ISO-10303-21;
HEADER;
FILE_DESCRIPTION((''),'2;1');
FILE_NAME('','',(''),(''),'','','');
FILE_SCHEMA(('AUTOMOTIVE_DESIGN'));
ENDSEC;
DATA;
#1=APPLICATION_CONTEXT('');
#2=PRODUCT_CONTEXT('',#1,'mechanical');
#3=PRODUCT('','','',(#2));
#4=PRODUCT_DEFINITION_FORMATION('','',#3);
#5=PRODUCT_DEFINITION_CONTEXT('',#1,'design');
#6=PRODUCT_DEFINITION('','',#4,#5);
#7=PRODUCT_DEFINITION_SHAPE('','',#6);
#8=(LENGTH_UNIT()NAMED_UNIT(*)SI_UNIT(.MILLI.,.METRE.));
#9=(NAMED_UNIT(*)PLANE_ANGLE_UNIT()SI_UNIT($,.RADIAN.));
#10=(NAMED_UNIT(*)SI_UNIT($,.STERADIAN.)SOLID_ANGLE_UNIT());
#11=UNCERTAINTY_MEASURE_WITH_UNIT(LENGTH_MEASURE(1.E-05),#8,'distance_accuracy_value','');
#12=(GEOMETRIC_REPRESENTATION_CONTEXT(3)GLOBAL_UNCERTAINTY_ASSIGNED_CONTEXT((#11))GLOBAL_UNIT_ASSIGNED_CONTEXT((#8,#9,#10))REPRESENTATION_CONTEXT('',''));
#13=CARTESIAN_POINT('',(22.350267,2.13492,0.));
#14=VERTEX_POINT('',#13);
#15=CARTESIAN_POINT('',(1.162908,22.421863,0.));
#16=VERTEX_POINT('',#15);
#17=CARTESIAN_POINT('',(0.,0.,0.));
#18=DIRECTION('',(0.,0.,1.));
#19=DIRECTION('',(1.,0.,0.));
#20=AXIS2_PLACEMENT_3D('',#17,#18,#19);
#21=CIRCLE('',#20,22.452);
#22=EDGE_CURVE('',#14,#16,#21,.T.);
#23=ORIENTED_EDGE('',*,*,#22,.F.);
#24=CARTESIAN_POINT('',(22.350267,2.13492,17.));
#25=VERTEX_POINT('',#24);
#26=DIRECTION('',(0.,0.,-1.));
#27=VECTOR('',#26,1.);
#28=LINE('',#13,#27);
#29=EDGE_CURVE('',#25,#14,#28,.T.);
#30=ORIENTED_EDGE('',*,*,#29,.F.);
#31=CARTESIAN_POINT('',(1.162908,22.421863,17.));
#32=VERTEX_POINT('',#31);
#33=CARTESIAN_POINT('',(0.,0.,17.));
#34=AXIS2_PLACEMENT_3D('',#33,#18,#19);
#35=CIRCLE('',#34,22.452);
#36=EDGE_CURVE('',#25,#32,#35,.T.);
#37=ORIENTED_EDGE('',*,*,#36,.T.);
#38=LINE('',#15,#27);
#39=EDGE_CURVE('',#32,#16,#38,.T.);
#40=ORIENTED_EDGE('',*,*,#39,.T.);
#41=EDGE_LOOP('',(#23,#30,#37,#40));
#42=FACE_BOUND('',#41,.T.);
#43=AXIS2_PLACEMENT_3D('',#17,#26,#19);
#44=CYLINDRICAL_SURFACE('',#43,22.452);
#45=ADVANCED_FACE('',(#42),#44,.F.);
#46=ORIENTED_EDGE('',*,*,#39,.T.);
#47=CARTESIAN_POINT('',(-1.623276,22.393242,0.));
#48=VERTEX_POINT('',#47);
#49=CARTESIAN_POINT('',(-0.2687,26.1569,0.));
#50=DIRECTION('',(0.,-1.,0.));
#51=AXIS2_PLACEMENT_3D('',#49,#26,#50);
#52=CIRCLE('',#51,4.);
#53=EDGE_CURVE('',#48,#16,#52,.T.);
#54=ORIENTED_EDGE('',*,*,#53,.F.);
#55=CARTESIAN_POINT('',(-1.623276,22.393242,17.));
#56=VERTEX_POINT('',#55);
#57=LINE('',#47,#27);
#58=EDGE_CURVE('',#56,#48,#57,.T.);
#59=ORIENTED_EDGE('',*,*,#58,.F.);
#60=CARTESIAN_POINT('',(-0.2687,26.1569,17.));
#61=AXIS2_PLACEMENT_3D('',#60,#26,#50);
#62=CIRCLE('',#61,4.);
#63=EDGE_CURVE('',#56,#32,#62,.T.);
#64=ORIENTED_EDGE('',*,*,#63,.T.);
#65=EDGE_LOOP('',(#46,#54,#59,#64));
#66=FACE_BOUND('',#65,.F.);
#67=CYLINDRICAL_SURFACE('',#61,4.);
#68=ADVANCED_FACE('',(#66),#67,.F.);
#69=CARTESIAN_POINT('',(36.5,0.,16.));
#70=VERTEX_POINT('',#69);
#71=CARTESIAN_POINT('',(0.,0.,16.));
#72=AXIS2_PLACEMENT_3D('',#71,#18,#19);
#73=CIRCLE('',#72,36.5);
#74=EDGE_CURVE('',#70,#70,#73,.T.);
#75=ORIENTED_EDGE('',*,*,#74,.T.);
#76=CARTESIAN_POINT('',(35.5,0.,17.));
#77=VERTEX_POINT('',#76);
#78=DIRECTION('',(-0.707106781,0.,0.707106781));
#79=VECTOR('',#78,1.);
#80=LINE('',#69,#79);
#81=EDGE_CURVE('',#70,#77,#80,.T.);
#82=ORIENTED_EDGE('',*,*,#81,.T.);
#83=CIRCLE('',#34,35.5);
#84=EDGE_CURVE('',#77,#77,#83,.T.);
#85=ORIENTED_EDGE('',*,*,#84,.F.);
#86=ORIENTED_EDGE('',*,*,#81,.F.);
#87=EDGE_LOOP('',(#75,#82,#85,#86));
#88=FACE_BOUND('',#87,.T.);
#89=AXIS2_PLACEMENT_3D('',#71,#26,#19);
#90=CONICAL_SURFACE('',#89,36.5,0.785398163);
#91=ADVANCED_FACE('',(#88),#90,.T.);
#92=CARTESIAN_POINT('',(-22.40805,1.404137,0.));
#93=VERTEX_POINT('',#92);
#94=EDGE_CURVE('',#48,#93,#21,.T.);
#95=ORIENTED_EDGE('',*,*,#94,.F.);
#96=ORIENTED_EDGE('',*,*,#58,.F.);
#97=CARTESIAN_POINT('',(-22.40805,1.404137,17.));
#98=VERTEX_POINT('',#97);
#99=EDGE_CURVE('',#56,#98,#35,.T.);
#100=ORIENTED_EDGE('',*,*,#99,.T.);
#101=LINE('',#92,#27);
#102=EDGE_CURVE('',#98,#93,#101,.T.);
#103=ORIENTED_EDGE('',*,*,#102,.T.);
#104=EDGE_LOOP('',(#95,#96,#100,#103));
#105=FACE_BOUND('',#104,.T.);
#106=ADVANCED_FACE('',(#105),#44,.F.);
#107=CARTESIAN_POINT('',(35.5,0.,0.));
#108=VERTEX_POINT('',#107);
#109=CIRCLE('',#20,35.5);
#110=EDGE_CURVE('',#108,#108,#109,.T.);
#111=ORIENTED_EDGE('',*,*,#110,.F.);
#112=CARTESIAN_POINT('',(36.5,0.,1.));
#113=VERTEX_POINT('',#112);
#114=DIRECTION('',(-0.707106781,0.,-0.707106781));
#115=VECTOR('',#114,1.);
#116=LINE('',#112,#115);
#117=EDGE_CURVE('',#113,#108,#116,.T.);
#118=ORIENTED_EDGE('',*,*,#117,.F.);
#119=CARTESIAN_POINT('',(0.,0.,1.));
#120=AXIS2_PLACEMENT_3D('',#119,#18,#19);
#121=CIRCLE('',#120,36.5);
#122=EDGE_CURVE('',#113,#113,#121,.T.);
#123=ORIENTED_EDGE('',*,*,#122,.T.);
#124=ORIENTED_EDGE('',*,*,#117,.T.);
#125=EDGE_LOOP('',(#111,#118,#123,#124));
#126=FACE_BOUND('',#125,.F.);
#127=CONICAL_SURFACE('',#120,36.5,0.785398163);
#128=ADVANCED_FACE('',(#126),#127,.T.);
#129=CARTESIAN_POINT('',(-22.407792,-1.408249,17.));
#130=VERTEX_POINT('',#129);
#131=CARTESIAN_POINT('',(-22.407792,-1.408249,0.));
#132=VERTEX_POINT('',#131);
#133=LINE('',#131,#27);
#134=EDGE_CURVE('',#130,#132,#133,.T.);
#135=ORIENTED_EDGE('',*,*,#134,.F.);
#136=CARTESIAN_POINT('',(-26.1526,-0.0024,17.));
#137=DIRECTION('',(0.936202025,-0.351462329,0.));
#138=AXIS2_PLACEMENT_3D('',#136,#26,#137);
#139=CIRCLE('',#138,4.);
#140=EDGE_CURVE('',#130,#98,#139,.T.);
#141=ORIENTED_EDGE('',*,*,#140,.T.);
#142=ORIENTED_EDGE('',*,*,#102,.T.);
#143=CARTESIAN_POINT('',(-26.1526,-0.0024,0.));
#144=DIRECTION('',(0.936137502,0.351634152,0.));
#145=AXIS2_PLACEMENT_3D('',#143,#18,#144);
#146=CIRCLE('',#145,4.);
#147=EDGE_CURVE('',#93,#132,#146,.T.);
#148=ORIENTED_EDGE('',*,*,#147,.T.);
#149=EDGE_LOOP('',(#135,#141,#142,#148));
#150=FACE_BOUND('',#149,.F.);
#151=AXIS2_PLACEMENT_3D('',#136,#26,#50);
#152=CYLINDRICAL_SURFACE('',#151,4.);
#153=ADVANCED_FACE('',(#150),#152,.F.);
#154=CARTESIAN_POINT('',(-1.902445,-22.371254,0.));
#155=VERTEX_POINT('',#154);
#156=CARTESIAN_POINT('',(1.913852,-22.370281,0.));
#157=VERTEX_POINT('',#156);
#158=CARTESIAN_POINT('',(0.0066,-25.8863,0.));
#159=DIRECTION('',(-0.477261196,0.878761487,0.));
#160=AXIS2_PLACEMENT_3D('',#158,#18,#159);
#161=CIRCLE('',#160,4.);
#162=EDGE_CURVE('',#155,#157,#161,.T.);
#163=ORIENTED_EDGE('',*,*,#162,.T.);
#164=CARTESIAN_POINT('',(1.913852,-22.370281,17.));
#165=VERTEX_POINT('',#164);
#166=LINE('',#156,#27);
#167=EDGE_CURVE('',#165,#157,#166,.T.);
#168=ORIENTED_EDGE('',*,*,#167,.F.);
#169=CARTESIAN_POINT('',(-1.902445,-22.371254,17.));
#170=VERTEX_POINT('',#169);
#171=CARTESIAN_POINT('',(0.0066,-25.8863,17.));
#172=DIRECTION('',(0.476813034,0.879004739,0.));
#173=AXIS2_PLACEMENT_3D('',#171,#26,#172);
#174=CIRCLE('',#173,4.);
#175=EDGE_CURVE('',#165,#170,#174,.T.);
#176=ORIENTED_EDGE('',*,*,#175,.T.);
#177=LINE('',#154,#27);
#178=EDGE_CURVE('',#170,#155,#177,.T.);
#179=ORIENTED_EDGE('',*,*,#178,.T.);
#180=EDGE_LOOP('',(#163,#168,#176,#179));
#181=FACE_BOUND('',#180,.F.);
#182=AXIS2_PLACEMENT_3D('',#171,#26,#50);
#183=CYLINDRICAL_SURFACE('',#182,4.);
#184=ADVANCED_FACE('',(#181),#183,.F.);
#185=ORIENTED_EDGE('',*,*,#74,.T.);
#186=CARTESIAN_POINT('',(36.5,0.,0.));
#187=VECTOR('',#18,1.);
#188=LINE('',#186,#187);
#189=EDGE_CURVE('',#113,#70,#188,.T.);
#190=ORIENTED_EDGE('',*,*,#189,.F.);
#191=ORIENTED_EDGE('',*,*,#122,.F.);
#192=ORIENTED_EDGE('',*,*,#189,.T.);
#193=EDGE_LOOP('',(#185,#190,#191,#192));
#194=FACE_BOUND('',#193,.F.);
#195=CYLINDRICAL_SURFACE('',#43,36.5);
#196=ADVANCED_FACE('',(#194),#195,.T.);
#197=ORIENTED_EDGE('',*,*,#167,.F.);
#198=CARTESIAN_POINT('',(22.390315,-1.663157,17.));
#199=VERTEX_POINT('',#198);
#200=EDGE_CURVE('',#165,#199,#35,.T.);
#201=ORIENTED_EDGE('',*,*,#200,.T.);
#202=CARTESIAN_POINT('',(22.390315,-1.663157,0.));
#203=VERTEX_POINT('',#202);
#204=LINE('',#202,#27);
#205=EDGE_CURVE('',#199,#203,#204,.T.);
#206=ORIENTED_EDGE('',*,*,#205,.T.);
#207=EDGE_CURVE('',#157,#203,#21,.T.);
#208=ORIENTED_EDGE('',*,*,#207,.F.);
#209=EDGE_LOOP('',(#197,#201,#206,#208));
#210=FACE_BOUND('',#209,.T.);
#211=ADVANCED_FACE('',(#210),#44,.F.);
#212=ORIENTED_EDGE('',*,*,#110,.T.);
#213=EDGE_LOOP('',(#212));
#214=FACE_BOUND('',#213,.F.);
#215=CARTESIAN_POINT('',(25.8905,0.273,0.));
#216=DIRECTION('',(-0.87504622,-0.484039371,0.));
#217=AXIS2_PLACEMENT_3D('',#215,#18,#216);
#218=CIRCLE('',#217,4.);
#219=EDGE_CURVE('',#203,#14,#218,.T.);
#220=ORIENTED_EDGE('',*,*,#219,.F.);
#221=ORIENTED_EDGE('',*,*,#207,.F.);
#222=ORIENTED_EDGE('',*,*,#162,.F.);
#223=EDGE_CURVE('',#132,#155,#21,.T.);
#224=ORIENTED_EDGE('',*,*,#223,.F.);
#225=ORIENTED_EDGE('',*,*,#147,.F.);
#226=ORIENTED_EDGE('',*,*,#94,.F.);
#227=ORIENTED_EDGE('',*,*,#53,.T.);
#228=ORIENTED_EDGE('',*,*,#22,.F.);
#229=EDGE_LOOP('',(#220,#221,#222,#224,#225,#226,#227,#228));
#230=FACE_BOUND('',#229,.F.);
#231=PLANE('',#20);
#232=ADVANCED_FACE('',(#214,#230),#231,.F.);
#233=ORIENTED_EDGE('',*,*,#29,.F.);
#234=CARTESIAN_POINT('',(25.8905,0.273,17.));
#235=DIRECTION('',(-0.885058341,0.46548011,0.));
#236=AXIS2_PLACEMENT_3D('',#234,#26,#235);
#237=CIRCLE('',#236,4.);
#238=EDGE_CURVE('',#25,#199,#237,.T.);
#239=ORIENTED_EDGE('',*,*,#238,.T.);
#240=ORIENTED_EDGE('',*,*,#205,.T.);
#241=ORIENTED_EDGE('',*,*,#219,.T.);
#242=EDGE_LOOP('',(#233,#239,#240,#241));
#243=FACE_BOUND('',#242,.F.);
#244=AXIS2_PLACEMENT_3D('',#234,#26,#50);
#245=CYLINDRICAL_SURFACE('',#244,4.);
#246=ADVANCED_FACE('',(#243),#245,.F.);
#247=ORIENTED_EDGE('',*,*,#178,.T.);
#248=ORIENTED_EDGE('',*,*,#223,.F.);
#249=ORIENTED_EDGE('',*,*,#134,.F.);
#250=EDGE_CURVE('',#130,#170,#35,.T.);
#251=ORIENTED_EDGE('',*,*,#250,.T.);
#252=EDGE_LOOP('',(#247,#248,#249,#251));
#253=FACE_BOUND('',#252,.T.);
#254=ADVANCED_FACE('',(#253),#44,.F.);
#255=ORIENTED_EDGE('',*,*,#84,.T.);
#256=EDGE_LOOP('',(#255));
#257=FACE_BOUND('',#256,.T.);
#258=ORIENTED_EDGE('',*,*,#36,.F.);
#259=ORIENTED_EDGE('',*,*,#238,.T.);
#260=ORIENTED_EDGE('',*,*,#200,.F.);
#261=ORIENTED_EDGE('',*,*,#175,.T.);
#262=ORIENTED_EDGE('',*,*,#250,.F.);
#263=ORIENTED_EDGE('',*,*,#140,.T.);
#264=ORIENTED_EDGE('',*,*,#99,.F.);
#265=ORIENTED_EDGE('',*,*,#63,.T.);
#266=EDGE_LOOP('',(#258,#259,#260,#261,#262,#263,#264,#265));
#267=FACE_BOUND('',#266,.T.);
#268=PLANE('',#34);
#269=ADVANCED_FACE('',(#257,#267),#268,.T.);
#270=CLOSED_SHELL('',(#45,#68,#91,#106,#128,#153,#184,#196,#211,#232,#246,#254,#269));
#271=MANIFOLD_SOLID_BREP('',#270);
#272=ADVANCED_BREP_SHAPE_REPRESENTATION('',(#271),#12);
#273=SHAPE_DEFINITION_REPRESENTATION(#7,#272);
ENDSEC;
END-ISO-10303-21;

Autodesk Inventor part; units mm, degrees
ref_plane "YZ Plane" through (0, 0, 0) normal (1, 0, 0) x (0, 1, 0)
ref_plane "XZ Plane" through (0, 0, 0) normal (0, 1, 0) x (-1, 0, 0)
ref_plane "XY Plane" through (0, 0, 0) normal (0, 0, 1) x (1, 0, 0)
sketch "Эскиз1" plane through (0, 0, 0) normal (0, 0, 1) x (1, 0, 0)
  circle A0 centre (0, 0) radius 22.452
  circle A1 centre (0, 0) radius 36.5
  dimension "d5" = 73
extrude "Выдавливание1" add sketch "Эскиз1" along normal blind 17
chamfer "Фаска1" distance 1 angle 45 2 edges at (-36.5, 0, 0) (-36.5, 0, 17)
sketch "Эскиз2" plane through (0, 0, 17) normal (0, 0, 1) x (1, 0, 0)
  point P0 (-26.1526, -0.0024)
  point P1 (-0.2687, 26.1569)
  point P2 (25.8905, 0.273)
  point P3 (0.0066, -25.8863)
hole "Отверстие1" at (-26.1526, -0.0024, 17) at (-0.2687, 26.1569, 17) at (25.8905, 0.273, 17) at (0.0066, -25.8863, 17) direction (0, 0, -1) diameter 8 end through all
properties part number "Magnetic"
